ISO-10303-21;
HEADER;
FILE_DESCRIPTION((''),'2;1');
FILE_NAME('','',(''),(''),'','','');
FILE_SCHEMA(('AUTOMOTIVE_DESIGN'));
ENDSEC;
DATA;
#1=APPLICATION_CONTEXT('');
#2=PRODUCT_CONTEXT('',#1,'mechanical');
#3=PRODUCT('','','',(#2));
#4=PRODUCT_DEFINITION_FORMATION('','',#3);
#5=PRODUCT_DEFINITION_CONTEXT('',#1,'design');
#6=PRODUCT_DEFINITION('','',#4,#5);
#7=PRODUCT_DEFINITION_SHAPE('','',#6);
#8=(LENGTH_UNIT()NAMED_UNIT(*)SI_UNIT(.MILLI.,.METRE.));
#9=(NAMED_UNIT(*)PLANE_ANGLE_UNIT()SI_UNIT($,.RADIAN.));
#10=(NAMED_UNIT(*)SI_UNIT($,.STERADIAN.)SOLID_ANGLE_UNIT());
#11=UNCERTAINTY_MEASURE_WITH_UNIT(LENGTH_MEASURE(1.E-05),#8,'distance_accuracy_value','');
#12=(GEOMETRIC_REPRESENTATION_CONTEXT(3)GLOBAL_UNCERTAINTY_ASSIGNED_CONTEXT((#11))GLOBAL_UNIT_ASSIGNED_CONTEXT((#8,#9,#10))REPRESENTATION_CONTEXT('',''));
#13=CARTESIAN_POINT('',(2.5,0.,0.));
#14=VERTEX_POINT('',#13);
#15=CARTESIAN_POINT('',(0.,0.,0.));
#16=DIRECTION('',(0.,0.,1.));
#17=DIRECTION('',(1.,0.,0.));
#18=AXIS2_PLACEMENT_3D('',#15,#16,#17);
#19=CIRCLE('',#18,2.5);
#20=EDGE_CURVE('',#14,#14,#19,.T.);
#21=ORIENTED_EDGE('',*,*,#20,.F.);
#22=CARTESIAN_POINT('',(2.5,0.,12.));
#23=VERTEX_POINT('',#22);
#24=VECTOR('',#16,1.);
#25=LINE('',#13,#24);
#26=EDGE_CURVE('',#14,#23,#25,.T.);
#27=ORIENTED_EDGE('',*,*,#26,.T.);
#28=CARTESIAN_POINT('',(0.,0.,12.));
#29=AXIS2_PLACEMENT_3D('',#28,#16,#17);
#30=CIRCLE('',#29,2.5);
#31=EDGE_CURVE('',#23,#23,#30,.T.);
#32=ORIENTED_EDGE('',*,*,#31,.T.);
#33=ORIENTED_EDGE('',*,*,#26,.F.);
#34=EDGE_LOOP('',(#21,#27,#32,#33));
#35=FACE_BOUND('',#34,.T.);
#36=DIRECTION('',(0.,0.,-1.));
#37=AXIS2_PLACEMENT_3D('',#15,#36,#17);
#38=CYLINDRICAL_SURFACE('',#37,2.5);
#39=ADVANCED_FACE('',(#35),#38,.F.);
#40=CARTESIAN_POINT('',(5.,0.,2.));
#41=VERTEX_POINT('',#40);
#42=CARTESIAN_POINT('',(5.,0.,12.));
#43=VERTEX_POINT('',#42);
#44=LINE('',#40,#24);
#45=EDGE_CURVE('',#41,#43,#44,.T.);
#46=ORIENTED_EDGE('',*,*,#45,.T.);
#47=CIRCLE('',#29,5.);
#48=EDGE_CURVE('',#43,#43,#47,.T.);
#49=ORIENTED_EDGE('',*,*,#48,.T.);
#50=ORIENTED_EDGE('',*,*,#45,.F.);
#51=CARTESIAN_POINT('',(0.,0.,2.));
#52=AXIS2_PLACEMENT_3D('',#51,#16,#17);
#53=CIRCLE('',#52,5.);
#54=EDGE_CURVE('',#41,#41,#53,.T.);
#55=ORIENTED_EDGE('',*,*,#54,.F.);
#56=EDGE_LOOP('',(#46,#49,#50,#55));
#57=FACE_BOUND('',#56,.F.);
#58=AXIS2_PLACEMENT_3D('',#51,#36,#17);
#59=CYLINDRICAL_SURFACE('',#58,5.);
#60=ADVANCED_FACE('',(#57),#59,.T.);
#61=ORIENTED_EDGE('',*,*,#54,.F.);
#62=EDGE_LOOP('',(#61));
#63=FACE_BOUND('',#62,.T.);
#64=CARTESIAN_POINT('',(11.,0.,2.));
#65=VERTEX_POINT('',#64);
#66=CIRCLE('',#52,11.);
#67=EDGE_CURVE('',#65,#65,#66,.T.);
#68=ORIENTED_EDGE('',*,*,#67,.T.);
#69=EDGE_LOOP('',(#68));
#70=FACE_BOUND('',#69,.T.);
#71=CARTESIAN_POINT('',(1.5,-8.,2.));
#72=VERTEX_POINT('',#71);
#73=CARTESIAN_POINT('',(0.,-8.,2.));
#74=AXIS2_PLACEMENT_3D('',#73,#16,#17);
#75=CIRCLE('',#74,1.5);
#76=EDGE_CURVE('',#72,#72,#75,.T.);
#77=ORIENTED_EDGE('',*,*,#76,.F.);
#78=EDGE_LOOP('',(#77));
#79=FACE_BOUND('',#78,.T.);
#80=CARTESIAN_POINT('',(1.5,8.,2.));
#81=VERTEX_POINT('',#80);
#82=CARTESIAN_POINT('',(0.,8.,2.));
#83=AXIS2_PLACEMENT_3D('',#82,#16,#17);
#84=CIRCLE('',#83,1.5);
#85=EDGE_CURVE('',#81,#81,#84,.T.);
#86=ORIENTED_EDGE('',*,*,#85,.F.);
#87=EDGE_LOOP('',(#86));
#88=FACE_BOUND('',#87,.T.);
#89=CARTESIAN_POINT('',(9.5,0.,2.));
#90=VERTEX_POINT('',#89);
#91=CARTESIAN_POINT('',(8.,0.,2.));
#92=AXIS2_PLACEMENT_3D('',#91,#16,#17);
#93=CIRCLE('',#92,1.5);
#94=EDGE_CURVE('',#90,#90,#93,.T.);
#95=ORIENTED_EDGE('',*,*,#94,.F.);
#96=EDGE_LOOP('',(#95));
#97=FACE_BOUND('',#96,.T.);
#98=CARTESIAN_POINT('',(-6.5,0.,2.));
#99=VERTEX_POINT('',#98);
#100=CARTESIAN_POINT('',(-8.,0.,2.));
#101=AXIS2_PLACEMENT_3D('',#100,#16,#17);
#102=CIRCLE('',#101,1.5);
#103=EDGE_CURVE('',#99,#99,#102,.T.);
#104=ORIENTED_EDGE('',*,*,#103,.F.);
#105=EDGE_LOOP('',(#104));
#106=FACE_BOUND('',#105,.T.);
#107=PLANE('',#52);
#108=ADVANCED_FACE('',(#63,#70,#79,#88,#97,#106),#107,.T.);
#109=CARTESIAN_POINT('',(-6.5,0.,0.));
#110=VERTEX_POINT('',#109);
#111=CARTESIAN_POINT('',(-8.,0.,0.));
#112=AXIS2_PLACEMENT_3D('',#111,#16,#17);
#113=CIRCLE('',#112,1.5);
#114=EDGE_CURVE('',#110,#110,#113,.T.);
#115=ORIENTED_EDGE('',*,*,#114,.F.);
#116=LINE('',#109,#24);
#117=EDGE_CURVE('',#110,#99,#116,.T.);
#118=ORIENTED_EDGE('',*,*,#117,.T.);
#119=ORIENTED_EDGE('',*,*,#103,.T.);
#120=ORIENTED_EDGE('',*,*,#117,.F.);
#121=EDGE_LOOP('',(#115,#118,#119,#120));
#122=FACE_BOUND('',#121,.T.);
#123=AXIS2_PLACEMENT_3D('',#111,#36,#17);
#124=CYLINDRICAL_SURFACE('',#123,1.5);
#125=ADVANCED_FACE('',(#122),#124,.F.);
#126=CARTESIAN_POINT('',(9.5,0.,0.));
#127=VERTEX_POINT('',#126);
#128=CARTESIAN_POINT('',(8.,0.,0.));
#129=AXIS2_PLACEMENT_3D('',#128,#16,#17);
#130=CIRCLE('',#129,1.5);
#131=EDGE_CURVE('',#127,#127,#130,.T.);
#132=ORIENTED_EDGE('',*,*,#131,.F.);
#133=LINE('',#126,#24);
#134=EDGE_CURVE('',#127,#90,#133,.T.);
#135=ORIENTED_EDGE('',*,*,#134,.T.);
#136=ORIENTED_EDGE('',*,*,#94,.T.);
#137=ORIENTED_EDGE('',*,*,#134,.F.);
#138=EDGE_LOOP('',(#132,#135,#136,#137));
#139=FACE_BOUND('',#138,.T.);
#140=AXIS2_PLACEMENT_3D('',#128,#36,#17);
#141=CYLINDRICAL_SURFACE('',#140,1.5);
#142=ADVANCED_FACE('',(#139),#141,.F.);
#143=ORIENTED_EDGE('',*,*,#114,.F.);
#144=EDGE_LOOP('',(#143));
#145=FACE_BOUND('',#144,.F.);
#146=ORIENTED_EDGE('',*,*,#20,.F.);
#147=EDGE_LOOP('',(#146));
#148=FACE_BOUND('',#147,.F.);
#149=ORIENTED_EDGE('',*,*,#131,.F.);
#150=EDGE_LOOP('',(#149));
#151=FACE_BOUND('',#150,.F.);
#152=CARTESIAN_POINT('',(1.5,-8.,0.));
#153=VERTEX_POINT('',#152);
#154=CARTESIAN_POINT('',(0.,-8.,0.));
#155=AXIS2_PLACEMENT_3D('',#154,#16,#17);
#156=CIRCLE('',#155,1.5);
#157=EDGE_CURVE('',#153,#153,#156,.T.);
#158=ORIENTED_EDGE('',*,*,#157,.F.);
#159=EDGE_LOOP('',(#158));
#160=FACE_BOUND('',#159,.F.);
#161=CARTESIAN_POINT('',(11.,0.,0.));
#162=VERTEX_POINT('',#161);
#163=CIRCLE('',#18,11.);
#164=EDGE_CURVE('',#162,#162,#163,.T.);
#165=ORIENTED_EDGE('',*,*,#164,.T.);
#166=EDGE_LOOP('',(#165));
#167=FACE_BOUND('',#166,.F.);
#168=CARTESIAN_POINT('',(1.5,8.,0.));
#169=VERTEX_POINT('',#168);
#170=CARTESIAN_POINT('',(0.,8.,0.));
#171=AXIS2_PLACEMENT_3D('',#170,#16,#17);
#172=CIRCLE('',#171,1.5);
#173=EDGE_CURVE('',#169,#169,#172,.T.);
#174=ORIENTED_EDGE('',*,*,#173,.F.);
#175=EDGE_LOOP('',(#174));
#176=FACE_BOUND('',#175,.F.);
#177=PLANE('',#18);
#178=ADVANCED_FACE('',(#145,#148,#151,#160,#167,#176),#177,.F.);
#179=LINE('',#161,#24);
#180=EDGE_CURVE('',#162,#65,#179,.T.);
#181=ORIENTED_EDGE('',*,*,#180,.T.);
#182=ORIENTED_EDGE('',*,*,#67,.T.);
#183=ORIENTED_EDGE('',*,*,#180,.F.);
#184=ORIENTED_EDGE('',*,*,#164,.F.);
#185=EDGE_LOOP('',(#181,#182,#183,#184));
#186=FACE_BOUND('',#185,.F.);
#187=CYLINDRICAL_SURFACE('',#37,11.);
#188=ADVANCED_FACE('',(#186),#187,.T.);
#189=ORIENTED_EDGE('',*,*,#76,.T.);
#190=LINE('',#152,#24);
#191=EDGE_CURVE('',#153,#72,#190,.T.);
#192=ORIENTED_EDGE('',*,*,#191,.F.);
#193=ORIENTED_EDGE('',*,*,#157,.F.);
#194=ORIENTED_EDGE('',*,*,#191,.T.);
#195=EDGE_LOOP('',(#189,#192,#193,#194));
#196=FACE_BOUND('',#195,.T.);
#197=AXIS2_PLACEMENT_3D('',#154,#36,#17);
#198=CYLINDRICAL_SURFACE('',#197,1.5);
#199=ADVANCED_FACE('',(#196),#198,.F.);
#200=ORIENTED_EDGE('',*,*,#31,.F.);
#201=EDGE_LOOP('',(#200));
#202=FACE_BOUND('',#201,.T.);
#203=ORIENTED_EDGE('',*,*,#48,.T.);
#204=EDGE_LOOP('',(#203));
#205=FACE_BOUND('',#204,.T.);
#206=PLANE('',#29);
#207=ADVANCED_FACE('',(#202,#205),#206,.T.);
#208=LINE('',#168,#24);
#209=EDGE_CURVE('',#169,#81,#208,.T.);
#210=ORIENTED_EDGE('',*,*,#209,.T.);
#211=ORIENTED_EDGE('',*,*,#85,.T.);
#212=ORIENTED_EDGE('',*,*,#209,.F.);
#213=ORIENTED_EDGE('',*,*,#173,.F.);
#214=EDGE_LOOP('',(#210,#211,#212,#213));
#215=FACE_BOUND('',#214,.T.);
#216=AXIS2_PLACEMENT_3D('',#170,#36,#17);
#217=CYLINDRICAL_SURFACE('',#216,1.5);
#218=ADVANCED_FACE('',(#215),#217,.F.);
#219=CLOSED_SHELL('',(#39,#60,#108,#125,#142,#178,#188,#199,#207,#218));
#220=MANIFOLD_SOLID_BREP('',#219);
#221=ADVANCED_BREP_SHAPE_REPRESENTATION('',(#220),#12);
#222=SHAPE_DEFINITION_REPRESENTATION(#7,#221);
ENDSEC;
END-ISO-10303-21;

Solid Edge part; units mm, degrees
sketch "Sketch1" plane through (0, 0, 0) normal (0, 0, 1) x (1, 0, 0)
  circle A0 centre (8, 0) radius 1.5
  circle A1 centre (0, 0) radius 2.5
  circle A2 centre (0, 0) radius 11
  circle A3 centre (-8, 0) radius 1.5
  circle A4 centre (0, 8) radius 1.5
  circle A5 centre (0, -8) radius 1.5
  dimension "D1" = 8
  dimension "D2" = 8
  dimension "D3" = 8
  dimension "D4" = 8
extrude "Protrusion1" add sketch "Sketch1" along normal blind 2
sketch "Sketch2" plane through (0, 0, 2) normal (0, 0, 1) x (1, 0, 0)
  circle A0 centre (0, 0) radius 5
  circle A1 centre (0, 0) radius 2.5
extrude "ExtrudedProtrusion_2" add sketch "Sketch2" along normal blind 10
